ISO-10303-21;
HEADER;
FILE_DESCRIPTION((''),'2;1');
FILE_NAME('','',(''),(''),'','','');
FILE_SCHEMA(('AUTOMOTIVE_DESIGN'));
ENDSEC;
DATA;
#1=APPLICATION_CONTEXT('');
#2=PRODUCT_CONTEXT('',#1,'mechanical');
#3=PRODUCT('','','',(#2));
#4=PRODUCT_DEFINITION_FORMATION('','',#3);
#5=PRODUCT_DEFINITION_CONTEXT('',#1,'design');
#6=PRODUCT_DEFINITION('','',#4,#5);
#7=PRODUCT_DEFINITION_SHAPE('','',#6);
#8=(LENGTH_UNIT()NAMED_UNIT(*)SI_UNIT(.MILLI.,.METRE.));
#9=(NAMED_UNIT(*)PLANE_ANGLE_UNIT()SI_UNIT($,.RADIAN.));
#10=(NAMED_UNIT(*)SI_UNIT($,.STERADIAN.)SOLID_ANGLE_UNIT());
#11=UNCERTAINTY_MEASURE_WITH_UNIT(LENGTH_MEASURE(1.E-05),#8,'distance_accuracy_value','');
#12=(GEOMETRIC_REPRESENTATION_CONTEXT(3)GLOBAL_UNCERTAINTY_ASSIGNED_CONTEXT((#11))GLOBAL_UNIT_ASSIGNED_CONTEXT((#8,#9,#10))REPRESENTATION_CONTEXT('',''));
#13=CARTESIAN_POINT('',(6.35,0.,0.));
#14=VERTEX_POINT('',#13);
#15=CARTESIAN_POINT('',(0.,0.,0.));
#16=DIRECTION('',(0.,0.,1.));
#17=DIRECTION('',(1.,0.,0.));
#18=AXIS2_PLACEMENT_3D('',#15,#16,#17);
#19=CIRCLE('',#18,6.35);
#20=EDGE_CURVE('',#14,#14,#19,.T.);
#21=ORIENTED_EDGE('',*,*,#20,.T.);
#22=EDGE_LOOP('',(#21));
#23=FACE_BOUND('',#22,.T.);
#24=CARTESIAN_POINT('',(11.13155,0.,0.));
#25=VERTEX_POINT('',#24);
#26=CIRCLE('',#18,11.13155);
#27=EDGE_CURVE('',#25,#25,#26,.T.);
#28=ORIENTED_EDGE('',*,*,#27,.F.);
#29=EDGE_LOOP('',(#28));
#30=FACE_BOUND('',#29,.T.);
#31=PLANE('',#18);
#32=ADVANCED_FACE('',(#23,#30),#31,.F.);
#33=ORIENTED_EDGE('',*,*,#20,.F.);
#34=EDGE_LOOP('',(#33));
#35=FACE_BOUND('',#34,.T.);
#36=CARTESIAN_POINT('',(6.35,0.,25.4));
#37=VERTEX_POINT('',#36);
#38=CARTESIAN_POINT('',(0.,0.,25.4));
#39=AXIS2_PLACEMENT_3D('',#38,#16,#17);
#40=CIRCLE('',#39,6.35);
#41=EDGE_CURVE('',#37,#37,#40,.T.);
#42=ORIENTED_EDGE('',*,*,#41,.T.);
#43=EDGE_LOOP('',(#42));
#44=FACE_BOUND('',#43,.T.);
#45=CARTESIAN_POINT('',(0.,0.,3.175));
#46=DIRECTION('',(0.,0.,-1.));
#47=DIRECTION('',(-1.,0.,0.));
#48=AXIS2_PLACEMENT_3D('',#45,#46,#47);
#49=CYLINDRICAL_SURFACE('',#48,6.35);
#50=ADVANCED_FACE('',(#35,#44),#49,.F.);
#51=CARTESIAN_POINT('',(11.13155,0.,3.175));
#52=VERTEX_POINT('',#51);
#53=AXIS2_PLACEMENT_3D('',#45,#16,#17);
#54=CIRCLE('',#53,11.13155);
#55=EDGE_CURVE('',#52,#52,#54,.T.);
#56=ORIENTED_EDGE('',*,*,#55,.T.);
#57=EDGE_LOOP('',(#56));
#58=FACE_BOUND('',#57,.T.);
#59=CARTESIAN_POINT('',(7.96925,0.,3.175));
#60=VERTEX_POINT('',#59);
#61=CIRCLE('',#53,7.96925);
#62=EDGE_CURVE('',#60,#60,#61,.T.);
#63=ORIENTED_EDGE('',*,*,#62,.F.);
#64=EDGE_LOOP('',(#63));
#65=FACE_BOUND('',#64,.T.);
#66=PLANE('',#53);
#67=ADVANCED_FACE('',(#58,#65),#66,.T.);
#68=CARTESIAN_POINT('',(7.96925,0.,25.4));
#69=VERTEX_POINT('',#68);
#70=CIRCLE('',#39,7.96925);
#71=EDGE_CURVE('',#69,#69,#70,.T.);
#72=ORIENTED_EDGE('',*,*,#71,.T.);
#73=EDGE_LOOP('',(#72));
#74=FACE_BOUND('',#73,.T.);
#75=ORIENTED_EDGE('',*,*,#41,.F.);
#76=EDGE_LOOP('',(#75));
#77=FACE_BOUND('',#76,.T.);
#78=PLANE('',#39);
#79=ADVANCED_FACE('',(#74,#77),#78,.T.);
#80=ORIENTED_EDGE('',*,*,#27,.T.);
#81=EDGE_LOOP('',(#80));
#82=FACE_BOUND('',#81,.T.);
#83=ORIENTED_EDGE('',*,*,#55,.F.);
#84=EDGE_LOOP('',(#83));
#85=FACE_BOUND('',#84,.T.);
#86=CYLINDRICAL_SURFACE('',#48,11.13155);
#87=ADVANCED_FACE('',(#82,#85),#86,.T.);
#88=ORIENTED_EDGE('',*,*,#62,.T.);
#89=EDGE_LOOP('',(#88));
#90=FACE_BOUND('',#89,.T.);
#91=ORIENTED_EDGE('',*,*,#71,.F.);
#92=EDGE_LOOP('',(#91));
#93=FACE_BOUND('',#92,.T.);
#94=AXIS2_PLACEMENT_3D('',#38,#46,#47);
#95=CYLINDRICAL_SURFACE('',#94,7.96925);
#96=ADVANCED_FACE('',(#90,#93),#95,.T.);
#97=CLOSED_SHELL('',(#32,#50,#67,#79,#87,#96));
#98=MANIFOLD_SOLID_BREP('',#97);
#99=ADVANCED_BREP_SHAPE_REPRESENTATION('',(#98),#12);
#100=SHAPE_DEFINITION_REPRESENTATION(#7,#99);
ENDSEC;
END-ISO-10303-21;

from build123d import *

# Parameters (mm, degrees)
SKETCH1_R           = 11.13155
SKETCH1_R_2         = 6.35
BOSS_EXTRUDE1_DEPTH = 3.175
SKETCH2_R           = 7.96925
SKETCH2_R_2         = 6.35
BOSS_EXTRUDE2_DEPTH = 22.225


with BuildPart() as part:
    # Sketch1 → Boss-Extrude1 (new body)
    with BuildSketch(Plane.XY):
        Circle(SKETCH1_R)
        Circle(SKETCH1_R_2, mode=Mode.SUBTRACT)
    extrude(amount=BOSS_EXTRUDE1_DEPTH)

    # Sketch2 → Boss-Extrude2 (add)
    with BuildSketch(Plane.XY.offset(3.175)):
        Circle(SKETCH2_R)
        Circle(SKETCH2_R_2, mode=Mode.SUBTRACT)
    extrude(amount=BOSS_EXTRUDE2_DEPTH)


solid = part.part
